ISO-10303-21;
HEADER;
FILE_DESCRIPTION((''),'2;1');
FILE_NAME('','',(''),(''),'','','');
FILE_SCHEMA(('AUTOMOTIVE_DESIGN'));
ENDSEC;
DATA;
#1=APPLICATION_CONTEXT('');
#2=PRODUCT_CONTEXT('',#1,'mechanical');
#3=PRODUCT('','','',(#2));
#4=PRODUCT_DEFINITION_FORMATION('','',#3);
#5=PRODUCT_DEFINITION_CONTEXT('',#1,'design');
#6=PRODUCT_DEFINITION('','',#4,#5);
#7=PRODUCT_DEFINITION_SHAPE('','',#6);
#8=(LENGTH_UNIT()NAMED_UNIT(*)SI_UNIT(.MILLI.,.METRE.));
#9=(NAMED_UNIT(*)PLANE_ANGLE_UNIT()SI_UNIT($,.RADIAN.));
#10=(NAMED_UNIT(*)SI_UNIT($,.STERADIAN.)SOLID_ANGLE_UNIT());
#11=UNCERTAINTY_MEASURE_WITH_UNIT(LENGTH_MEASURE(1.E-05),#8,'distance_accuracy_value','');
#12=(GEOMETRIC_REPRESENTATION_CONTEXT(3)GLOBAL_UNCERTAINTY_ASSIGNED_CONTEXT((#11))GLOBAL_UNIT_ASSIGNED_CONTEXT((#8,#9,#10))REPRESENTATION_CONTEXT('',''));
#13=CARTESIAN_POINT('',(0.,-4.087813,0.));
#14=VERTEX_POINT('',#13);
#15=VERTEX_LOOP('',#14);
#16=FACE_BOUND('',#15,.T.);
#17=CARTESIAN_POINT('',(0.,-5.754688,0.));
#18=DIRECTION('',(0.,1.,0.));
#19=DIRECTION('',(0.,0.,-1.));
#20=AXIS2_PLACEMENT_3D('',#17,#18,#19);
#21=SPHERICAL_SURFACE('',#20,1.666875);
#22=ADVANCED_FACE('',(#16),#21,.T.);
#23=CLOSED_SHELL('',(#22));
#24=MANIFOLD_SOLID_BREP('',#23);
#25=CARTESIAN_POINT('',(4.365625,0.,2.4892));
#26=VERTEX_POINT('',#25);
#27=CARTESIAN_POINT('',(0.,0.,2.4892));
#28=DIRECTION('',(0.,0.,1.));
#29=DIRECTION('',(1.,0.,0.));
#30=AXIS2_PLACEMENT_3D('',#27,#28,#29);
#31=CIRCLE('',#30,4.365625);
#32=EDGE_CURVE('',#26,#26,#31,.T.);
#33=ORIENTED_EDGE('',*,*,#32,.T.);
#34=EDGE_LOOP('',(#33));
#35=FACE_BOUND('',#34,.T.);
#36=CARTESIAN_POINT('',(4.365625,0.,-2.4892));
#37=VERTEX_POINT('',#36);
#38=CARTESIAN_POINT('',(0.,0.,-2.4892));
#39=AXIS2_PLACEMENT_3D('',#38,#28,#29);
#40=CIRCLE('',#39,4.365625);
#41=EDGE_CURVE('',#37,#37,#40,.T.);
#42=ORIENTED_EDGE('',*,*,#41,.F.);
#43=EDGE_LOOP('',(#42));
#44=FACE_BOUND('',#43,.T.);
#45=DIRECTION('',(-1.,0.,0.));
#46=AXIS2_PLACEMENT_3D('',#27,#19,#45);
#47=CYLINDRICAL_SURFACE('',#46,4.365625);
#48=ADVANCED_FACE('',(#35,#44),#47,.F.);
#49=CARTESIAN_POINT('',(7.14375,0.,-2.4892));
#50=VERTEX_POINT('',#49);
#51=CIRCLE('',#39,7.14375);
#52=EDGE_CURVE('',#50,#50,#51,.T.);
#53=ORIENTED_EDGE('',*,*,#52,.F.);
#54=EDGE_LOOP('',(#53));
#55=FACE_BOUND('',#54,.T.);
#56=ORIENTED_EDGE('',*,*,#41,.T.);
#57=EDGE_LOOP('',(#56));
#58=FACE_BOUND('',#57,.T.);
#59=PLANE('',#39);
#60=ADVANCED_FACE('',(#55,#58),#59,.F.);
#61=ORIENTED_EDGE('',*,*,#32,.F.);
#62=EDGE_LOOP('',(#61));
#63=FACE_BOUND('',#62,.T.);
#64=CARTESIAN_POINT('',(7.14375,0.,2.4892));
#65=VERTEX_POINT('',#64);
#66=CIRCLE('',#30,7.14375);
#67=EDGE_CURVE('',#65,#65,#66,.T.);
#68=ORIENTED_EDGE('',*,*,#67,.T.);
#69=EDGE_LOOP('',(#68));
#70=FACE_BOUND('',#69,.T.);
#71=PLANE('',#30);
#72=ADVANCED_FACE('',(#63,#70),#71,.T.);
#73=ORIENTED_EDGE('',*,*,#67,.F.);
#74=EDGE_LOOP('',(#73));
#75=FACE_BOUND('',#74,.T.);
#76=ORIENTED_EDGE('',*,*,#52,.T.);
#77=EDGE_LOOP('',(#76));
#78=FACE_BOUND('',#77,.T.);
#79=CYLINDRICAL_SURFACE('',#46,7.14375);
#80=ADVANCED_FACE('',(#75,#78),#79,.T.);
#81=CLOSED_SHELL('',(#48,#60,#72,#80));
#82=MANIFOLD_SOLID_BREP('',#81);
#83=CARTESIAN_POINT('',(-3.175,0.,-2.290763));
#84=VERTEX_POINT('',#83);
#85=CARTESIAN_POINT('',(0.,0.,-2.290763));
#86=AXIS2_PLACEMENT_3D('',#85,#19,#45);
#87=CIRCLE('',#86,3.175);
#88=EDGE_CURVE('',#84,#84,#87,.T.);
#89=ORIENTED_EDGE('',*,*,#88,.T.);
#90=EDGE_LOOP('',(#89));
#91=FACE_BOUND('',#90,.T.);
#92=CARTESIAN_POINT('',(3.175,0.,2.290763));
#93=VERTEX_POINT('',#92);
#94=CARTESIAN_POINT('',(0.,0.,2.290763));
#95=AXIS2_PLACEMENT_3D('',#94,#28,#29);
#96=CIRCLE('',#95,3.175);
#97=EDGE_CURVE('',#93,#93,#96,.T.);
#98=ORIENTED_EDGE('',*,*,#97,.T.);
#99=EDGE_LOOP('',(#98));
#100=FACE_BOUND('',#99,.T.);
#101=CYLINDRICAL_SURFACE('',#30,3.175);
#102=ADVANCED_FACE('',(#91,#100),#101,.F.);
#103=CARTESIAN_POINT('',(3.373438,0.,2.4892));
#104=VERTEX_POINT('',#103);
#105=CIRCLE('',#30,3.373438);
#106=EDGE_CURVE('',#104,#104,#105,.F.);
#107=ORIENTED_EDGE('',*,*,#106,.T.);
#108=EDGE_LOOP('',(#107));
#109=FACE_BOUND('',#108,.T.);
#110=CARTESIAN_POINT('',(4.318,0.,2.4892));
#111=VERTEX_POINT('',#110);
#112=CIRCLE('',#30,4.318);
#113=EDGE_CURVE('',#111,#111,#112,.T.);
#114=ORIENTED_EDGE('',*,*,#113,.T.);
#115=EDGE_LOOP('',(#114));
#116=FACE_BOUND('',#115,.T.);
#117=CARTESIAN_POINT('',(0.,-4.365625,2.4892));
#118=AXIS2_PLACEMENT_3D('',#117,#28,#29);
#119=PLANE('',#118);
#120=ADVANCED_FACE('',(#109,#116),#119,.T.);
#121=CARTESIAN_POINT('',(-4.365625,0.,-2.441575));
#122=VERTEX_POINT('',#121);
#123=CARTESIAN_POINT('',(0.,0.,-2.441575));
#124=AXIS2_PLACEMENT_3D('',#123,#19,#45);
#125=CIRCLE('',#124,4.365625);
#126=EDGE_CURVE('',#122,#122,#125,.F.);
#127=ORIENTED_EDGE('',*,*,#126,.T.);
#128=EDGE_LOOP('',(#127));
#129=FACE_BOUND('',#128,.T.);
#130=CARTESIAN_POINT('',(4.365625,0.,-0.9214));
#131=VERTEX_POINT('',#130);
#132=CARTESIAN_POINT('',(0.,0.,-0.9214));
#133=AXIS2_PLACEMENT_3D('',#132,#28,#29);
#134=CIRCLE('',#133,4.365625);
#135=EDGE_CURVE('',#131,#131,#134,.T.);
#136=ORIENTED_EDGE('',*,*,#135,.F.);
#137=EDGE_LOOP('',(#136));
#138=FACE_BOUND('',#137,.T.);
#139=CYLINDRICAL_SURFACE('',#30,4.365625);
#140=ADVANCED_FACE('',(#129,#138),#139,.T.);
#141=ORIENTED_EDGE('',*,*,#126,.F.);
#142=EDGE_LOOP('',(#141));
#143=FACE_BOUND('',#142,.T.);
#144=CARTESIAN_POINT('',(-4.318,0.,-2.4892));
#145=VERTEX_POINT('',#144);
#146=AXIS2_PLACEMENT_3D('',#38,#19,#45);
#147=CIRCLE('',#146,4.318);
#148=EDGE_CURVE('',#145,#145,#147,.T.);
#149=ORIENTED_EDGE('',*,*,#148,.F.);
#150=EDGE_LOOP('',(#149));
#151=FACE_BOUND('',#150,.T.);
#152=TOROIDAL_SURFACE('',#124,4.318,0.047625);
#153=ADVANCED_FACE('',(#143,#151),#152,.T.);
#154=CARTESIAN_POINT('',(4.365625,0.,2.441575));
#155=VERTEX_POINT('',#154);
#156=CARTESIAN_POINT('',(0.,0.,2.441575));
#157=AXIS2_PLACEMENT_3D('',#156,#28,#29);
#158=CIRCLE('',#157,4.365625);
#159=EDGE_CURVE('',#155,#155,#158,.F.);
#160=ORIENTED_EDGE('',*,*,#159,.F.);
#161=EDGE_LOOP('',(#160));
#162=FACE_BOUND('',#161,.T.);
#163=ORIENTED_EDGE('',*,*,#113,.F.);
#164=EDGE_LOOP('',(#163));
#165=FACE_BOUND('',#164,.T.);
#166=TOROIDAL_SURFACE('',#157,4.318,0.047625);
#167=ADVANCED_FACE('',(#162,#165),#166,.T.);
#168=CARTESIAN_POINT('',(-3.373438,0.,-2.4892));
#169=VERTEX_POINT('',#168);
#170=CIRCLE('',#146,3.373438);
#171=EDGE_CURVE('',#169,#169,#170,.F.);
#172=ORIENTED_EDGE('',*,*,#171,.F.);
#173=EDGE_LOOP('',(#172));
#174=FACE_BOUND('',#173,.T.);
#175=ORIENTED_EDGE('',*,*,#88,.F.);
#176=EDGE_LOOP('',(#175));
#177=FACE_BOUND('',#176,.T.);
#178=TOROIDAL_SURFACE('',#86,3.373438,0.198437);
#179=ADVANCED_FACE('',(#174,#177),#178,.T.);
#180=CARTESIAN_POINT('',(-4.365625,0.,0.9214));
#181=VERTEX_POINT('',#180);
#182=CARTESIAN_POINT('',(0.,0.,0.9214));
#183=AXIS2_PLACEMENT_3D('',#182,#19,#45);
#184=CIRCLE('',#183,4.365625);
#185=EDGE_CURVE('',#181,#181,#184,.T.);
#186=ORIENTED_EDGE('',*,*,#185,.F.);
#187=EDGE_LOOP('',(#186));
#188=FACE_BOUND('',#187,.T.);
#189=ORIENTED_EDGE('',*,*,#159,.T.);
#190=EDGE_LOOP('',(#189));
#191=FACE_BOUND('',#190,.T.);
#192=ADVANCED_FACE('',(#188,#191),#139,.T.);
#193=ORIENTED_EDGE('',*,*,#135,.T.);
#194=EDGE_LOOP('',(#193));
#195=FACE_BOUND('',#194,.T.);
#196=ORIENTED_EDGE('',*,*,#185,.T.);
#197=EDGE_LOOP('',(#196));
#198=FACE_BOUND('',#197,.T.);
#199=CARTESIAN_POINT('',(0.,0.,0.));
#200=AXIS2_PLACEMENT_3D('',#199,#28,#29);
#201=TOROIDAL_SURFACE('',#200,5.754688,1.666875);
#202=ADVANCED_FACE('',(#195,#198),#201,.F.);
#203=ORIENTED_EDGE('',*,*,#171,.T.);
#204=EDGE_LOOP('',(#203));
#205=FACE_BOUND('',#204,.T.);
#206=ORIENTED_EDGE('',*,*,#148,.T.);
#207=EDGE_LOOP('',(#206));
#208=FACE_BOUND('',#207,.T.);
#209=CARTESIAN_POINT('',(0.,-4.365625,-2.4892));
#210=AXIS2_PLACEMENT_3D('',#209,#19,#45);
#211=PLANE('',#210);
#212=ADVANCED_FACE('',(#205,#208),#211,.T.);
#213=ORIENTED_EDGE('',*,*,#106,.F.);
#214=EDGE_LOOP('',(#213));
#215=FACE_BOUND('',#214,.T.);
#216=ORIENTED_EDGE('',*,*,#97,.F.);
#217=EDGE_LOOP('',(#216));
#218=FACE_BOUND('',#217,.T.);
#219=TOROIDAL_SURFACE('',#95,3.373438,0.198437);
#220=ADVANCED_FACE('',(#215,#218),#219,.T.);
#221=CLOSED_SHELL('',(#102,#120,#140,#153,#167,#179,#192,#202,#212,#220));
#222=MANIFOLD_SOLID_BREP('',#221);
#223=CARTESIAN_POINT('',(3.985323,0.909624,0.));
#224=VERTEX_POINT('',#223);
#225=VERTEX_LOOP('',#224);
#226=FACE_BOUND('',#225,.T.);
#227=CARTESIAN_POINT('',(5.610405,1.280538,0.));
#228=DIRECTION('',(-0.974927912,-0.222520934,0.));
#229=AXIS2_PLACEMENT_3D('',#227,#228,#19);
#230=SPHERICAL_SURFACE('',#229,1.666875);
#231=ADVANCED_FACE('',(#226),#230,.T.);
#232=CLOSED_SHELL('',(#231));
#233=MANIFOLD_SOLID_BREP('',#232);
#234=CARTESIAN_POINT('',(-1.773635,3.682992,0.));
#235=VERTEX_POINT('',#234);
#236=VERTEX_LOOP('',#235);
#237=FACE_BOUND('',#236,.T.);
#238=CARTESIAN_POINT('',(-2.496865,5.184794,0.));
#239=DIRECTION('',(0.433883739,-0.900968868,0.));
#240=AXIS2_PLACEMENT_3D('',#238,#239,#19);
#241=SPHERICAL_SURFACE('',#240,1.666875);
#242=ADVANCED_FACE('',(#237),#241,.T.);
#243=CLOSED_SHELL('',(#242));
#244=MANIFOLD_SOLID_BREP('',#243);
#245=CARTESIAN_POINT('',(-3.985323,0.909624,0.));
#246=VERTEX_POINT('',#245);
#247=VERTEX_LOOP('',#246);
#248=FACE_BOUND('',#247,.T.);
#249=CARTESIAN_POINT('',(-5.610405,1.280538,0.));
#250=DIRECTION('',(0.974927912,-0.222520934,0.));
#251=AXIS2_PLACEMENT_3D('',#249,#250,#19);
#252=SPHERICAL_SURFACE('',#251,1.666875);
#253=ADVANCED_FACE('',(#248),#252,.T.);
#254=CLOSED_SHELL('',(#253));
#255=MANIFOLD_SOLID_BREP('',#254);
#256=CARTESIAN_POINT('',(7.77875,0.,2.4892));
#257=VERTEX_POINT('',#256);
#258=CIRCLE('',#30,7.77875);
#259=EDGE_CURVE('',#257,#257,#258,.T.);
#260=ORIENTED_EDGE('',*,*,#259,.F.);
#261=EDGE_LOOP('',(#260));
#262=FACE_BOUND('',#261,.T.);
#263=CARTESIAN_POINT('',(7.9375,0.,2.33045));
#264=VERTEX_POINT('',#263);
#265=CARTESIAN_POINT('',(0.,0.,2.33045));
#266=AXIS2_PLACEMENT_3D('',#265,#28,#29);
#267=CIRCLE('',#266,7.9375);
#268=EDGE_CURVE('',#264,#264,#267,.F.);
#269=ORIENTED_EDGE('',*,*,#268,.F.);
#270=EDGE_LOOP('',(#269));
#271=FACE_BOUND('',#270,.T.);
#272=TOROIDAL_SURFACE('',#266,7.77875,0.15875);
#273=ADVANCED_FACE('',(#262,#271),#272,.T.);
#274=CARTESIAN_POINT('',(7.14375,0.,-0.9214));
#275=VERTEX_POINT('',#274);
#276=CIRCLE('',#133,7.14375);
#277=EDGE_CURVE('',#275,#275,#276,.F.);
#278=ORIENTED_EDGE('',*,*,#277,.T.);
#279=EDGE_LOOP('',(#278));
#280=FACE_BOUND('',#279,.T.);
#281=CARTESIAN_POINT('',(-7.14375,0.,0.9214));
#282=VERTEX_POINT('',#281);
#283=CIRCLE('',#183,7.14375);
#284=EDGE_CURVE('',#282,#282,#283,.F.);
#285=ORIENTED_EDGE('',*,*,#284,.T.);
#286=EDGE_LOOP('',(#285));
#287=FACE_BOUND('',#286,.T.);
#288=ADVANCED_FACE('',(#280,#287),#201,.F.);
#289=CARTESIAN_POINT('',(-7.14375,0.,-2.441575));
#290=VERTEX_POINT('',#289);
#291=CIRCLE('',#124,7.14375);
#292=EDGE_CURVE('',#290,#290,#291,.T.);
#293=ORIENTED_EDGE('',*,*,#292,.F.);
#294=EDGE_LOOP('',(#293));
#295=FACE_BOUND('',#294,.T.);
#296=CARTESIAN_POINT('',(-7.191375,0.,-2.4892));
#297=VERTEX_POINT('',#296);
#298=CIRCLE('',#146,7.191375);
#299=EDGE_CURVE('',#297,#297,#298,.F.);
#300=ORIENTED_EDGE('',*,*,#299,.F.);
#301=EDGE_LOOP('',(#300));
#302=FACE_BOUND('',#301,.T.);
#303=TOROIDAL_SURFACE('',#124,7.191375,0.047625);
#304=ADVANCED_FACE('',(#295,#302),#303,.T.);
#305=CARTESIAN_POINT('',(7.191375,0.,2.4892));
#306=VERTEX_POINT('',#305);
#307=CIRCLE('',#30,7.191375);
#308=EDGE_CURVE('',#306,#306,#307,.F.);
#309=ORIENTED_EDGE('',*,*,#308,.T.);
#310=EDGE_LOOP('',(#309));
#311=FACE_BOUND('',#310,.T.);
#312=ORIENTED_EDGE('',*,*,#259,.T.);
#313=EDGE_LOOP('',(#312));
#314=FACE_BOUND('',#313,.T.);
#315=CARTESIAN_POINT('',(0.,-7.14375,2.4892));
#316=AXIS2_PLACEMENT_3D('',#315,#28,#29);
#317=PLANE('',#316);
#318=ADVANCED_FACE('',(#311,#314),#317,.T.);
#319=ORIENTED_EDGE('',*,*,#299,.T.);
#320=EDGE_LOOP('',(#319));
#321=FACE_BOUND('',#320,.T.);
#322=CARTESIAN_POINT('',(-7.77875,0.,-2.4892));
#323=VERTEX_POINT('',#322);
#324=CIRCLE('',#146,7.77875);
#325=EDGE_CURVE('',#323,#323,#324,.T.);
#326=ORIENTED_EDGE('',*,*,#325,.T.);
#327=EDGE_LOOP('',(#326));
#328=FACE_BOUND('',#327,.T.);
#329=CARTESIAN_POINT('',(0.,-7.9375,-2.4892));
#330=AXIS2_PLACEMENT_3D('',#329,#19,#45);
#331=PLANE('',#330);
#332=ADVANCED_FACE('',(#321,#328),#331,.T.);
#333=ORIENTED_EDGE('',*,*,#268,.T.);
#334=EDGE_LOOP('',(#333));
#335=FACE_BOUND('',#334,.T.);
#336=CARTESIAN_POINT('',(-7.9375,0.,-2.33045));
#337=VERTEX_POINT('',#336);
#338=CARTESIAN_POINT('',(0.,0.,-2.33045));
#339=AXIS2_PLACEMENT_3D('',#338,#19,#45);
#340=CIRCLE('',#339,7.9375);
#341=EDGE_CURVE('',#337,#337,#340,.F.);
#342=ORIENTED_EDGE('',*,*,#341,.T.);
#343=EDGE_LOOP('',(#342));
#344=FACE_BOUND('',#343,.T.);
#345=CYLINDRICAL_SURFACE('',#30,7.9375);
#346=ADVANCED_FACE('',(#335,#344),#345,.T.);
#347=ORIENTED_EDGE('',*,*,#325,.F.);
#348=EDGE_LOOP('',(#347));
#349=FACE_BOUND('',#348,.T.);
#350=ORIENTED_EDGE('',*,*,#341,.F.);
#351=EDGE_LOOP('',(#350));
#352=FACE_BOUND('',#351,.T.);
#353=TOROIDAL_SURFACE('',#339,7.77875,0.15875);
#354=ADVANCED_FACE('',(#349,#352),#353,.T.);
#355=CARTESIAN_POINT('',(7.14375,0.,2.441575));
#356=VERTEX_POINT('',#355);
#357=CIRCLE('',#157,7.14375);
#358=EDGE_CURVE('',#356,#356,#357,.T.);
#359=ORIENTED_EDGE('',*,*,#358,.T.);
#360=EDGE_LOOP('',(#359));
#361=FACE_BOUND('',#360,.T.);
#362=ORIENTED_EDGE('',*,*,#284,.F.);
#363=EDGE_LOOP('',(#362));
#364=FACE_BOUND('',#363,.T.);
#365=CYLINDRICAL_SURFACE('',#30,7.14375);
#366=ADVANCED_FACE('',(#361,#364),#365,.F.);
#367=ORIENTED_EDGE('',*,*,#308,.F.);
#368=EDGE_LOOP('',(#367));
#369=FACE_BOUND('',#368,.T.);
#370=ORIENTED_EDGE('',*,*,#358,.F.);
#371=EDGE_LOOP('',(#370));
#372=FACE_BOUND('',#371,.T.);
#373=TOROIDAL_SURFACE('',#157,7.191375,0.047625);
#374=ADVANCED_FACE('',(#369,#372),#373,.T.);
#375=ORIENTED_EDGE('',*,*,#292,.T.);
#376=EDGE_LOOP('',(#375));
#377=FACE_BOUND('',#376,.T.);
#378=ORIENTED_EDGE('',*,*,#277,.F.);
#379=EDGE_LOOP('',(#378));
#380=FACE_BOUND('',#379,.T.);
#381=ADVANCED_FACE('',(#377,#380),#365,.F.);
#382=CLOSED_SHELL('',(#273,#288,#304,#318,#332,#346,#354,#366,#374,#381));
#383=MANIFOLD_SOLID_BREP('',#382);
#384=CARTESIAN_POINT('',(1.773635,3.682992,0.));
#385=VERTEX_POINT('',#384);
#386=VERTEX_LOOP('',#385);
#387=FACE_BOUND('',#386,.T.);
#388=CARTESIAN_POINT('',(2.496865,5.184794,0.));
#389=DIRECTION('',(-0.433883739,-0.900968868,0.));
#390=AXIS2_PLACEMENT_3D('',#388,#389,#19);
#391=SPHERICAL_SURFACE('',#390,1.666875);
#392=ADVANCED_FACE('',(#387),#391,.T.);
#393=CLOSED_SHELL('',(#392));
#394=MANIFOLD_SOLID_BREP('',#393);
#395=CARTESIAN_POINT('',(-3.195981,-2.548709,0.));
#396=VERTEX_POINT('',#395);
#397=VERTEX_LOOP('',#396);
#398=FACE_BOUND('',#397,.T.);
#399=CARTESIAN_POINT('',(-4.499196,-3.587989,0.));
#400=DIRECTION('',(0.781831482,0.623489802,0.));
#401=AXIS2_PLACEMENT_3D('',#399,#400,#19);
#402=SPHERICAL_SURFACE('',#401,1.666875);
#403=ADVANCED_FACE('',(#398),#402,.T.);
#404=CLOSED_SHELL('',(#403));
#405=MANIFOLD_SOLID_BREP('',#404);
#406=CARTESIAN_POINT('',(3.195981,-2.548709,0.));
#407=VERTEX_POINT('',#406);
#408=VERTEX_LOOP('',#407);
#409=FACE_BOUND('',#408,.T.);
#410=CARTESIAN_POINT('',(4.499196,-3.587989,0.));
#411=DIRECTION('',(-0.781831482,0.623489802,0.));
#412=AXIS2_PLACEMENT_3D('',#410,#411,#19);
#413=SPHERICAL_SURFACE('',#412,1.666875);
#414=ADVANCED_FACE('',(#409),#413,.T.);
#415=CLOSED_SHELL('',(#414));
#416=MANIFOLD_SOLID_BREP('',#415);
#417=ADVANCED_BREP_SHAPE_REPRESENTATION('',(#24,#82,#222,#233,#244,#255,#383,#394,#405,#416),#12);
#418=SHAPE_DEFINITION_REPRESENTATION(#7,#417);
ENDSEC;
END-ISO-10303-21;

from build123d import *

# Parameters (mm, degrees)
SKETCH3_W           = 4.9784
SKETCH3_H           = 0.79375
SKETCH3_H_2         = 1.190625
SKETCH4_R           = 1.666875
CIRPATTERN1_COUNT   = 7
FILLET1_R           = 0.15875
FILLET2_R           = 0.1984375
FILLET3_R           = 0.047625
FILLET4_R           = 0.047625
SKETCH6_R           = 7.14375
SKETCH6_R_2         = 4.365625
BOSS_EXTRUDE2_DEPTH = 2.4892


with BuildPart() as part:
    # Sketch3 → Revolve1 (revolve)
    with BuildSketch(Plane(origin=(0, 0, 0), x_dir=(0, 0, -1), z_dir=(1, 0, 0)), mode=Mode.PRIVATE) as revolve1_sk:
        with Locations((0, -7.540625)):
            Rectangle(SKETCH3_W, SKETCH3_H)
        with Locations((0, -3.7703125)):
            Rectangle(SKETCH3_W, SKETCH3_H_2)
    revolve(revolve1_sk.sketch.rotate(Axis((0, 0, 2.4892), (0, 0, -1)), 270), axis=Axis((0, 0, 2.4892), (0, 0, -1)))

    # Sketch4 → Cut-Revolve1 (revolve, cut)
    with BuildSketch(Plane(origin=(0, 0, 0), x_dir=(0, 0, -1), z_dir=(1, 0, 0)), mode=Mode.PRIVATE) as cut_revolve1_sk:
        with Locations((0, -5.7546875)):
            Circle(SKETCH4_R)
    revolve(cut_revolve1_sk.sketch.rotate(Axis((0, 0, 2.4892), (0, 0, -1)), 270), axis=Axis((0, 0, 2.4892), (0, 0, -1)), mode=Mode.SUBTRACT)

    # Fillet1
    fillet1_edges = [part.edges().sort_by_distance(p)[0] for p in [
        (-7.9375, 0, -2.4892),
        (-7.9375, 0, 2.4892),
    ]]
    fillet(fillet1_edges, radius=FILLET1_R)

    # Fillet2
    fillet2_edges = [part.edges().sort_by_distance(p)[0] for p in [
        (-3.175, 0, -2.4892),
        (-3.175, 0, 2.4892),
    ]]
    fillet(fillet2_edges, radius=FILLET2_R)

    # Fillet3
    fillet3_edges = [part.edges().sort_by_distance(p)[0] for p in [
        (-7.14375, 0, 2.4892),
        (-7.14375, 0, -2.4892),
    ]]
    fillet(fillet3_edges, radius=FILLET3_R)

    # Fillet4
    fillet4_edges = [part.edges().sort_by_distance(p)[0] for p in [
        (-4.365625, 0, 2.4892),
        (-4.365625, 0, -2.4892),
    ]]
    fillet(fillet4_edges, radius=FILLET4_R)


with BuildPart() as body_2:
    # Sketch5 → Revolve2 (revolve)
    with BuildSketch(Plane(origin=(0, 0, 0), x_dir=(0, 0, -1), z_dir=(1, 0, 0))):
        with BuildLine():
            Line((0, -4.0878125), (0, -7.4215625))
            ThreePointArc((0, -7.4215625), (1.666875, -5.7546875), (0, -4.0878125))
        make_face()
    revolve(axis=Axis((0, -4.0878125, 0), (0, -1, 0)))


with BuildPart() as cirpattern1_1:
    # CirPattern1: pattern copy
    add(body_2.part.rotate(Axis((0, 0, 0), (0, 0, 1)), 1 * 360 / CIRPATTERN1_COUNT))


with BuildPart() as cirpattern1_2:
    # CirPattern1: pattern copy
    add(body_2.part.rotate(Axis((0, 0, 0), (0, 0, 1)), 2 * 360 / CIRPATTERN1_COUNT))


with BuildPart() as cirpattern1_3:
    # CirPattern1: pattern copy
    add(body_2.part.rotate(Axis((0, 0, 0), (0, 0, 1)), 3 * 360 / CIRPATTERN1_COUNT))


with BuildPart() as cirpattern1_4:
    # CirPattern1: pattern copy
    add(body_2.part.rotate(Axis((0, 0, 0), (0, 0, 1)), 4 * 360 / CIRPATTERN1_COUNT))


with BuildPart() as cirpattern1_5:
    # CirPattern1: pattern copy
    add(body_2.part.rotate(Axis((0, 0, 0), (0, 0, 1)), 5 * 360 / CIRPATTERN1_COUNT))


with BuildPart() as cirpattern1_6:
    # CirPattern1: pattern copy
    add(body_2.part.rotate(Axis((0, 0, 0), (0, 0, 1)), 6 * 360 / CIRPATTERN1_COUNT))


with BuildPart() as body_9:
    # Sketch6 → Boss-Extrude2 (new, symmetric)
    with BuildSketch(Plane.XY):
        Circle(SKETCH6_R)
        Circle(SKETCH6_R_2, mode=Mode.SUBTRACT)
    extrude(amount=BOSS_EXTRUDE2_DEPTH, both=True)


solid = Compound([part.part, body_2.part, cirpattern1_1.part, cirpattern1_2.part, cirpattern1_3.part, cirpattern1_4.part, cirpattern1_5.part, cirpattern1_6.part, body_9.part])
